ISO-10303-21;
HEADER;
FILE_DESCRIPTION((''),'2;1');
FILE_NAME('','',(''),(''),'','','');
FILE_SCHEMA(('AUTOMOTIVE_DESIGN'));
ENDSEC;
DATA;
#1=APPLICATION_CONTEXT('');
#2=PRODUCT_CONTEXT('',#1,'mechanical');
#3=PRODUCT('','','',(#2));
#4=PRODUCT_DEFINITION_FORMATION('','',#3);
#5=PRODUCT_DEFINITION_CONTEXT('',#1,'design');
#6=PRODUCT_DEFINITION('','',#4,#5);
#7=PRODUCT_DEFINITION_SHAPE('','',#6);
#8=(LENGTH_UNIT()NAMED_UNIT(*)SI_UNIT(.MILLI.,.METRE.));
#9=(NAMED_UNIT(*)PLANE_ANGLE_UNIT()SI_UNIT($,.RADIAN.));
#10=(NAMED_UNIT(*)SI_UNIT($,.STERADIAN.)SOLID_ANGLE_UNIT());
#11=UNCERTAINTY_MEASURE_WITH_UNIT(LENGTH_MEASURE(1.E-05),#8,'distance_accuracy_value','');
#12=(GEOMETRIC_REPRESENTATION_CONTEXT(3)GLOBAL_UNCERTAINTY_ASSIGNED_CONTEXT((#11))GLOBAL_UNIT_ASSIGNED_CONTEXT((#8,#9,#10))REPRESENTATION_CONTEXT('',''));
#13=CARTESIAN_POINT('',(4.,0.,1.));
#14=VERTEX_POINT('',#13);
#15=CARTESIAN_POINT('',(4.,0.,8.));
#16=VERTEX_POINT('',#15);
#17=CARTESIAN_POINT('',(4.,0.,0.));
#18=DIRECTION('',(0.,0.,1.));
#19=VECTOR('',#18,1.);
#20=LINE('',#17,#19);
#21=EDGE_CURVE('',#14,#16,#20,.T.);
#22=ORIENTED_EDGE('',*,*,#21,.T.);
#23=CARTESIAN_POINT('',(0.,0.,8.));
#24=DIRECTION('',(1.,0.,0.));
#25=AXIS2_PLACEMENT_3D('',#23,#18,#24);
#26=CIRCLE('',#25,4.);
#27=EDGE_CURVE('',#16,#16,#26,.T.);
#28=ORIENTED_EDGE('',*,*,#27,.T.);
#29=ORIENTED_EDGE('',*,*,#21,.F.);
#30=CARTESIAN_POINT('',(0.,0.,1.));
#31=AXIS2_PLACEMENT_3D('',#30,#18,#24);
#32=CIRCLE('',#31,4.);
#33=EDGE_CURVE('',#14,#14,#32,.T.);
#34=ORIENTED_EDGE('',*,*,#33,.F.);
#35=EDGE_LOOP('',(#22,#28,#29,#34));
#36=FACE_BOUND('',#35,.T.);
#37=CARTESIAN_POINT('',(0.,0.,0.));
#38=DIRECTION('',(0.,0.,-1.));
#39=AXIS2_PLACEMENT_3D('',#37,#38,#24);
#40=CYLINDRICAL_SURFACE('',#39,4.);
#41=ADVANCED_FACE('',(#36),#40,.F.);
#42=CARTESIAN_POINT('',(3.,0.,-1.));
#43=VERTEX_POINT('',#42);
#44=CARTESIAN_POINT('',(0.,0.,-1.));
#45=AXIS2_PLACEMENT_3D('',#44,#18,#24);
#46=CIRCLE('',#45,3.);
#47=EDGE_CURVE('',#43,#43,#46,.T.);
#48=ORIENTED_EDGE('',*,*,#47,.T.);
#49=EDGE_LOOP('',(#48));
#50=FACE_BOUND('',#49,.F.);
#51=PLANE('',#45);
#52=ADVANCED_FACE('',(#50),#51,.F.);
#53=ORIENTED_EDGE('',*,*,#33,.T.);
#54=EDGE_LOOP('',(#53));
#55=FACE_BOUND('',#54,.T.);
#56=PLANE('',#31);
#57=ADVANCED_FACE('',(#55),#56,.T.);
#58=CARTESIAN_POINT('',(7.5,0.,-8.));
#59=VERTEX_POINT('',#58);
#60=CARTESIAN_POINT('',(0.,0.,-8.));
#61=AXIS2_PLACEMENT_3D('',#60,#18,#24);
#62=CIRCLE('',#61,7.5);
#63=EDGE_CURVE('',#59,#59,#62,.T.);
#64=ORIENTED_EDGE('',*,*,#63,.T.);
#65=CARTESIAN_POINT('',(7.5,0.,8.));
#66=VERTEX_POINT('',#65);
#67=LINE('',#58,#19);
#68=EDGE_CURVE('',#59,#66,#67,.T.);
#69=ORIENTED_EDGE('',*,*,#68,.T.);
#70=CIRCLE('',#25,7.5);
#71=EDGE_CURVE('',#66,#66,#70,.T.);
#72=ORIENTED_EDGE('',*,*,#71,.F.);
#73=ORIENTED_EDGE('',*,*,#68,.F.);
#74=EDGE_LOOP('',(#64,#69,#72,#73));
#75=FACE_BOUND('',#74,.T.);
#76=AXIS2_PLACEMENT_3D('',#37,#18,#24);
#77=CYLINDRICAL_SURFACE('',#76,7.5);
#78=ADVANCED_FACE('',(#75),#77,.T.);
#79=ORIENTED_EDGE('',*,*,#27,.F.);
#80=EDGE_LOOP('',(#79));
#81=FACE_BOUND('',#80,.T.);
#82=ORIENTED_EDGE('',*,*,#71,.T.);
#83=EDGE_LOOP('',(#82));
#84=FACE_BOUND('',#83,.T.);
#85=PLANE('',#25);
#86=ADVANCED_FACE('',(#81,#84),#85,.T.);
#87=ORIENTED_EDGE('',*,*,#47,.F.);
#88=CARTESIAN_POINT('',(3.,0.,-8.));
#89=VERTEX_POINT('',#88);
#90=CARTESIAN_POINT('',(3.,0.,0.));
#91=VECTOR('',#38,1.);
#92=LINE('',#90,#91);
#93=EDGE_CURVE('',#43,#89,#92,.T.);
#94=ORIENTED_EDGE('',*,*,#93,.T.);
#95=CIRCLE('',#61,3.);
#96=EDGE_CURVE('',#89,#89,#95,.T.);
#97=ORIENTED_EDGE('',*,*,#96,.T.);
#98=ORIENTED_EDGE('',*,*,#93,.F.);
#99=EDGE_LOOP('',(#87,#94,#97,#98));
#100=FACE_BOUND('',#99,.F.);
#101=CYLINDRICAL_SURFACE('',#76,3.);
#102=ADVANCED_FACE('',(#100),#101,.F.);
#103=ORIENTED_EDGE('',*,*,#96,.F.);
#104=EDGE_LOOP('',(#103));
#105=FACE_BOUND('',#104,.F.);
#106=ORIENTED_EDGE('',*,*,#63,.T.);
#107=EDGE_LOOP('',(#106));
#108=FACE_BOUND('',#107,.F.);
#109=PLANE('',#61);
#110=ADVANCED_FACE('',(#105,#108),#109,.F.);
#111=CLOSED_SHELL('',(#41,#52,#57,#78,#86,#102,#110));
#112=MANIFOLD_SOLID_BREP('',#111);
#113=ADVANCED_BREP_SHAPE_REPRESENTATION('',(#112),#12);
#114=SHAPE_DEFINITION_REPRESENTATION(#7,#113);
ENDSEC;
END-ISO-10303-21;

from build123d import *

# Parameters (mm, degrees)
F0_R          = 7.5
F0_R_2        = 4
F1_DEPTH      = 8
F0_R_3        = 3
F2_DEPTH      = 8
F3_DEPTH      = 1
F3_DEPTH_BACK = 1


with BuildPart() as f1:
    # F0 (on Top) → F1 (new body)
    with BuildSketch(Plane.XY):
        Circle(F0_R)
        Circle(F0_R_2, mode=Mode.SUBTRACT)
    extrude(amount=F1_DEPTH)

    # F0 (on Top) → F2 (join)
    with BuildSketch(Plane.XY):
        Circle(F0_R)
        Circle(F0_R_2, mode=Mode.SUBTRACT)
        Circle(F0_R_2)
        Circle(F0_R_3, mode=Mode.SUBTRACT)
    extrude(amount=-F2_DEPTH)

    # F0 (on Top) → F3 (join, two sides)
    with BuildSketch(Plane.XY) as f3_sk:
        Circle(F0_R_2)
        Circle(F0_R_3, mode=Mode.SUBTRACT)
        Circle(F0_R_3)
    extrude(amount=F3_DEPTH)
    extrude(f3_sk.sketch, amount=-F3_DEPTH_BACK)


solid = f1.part
